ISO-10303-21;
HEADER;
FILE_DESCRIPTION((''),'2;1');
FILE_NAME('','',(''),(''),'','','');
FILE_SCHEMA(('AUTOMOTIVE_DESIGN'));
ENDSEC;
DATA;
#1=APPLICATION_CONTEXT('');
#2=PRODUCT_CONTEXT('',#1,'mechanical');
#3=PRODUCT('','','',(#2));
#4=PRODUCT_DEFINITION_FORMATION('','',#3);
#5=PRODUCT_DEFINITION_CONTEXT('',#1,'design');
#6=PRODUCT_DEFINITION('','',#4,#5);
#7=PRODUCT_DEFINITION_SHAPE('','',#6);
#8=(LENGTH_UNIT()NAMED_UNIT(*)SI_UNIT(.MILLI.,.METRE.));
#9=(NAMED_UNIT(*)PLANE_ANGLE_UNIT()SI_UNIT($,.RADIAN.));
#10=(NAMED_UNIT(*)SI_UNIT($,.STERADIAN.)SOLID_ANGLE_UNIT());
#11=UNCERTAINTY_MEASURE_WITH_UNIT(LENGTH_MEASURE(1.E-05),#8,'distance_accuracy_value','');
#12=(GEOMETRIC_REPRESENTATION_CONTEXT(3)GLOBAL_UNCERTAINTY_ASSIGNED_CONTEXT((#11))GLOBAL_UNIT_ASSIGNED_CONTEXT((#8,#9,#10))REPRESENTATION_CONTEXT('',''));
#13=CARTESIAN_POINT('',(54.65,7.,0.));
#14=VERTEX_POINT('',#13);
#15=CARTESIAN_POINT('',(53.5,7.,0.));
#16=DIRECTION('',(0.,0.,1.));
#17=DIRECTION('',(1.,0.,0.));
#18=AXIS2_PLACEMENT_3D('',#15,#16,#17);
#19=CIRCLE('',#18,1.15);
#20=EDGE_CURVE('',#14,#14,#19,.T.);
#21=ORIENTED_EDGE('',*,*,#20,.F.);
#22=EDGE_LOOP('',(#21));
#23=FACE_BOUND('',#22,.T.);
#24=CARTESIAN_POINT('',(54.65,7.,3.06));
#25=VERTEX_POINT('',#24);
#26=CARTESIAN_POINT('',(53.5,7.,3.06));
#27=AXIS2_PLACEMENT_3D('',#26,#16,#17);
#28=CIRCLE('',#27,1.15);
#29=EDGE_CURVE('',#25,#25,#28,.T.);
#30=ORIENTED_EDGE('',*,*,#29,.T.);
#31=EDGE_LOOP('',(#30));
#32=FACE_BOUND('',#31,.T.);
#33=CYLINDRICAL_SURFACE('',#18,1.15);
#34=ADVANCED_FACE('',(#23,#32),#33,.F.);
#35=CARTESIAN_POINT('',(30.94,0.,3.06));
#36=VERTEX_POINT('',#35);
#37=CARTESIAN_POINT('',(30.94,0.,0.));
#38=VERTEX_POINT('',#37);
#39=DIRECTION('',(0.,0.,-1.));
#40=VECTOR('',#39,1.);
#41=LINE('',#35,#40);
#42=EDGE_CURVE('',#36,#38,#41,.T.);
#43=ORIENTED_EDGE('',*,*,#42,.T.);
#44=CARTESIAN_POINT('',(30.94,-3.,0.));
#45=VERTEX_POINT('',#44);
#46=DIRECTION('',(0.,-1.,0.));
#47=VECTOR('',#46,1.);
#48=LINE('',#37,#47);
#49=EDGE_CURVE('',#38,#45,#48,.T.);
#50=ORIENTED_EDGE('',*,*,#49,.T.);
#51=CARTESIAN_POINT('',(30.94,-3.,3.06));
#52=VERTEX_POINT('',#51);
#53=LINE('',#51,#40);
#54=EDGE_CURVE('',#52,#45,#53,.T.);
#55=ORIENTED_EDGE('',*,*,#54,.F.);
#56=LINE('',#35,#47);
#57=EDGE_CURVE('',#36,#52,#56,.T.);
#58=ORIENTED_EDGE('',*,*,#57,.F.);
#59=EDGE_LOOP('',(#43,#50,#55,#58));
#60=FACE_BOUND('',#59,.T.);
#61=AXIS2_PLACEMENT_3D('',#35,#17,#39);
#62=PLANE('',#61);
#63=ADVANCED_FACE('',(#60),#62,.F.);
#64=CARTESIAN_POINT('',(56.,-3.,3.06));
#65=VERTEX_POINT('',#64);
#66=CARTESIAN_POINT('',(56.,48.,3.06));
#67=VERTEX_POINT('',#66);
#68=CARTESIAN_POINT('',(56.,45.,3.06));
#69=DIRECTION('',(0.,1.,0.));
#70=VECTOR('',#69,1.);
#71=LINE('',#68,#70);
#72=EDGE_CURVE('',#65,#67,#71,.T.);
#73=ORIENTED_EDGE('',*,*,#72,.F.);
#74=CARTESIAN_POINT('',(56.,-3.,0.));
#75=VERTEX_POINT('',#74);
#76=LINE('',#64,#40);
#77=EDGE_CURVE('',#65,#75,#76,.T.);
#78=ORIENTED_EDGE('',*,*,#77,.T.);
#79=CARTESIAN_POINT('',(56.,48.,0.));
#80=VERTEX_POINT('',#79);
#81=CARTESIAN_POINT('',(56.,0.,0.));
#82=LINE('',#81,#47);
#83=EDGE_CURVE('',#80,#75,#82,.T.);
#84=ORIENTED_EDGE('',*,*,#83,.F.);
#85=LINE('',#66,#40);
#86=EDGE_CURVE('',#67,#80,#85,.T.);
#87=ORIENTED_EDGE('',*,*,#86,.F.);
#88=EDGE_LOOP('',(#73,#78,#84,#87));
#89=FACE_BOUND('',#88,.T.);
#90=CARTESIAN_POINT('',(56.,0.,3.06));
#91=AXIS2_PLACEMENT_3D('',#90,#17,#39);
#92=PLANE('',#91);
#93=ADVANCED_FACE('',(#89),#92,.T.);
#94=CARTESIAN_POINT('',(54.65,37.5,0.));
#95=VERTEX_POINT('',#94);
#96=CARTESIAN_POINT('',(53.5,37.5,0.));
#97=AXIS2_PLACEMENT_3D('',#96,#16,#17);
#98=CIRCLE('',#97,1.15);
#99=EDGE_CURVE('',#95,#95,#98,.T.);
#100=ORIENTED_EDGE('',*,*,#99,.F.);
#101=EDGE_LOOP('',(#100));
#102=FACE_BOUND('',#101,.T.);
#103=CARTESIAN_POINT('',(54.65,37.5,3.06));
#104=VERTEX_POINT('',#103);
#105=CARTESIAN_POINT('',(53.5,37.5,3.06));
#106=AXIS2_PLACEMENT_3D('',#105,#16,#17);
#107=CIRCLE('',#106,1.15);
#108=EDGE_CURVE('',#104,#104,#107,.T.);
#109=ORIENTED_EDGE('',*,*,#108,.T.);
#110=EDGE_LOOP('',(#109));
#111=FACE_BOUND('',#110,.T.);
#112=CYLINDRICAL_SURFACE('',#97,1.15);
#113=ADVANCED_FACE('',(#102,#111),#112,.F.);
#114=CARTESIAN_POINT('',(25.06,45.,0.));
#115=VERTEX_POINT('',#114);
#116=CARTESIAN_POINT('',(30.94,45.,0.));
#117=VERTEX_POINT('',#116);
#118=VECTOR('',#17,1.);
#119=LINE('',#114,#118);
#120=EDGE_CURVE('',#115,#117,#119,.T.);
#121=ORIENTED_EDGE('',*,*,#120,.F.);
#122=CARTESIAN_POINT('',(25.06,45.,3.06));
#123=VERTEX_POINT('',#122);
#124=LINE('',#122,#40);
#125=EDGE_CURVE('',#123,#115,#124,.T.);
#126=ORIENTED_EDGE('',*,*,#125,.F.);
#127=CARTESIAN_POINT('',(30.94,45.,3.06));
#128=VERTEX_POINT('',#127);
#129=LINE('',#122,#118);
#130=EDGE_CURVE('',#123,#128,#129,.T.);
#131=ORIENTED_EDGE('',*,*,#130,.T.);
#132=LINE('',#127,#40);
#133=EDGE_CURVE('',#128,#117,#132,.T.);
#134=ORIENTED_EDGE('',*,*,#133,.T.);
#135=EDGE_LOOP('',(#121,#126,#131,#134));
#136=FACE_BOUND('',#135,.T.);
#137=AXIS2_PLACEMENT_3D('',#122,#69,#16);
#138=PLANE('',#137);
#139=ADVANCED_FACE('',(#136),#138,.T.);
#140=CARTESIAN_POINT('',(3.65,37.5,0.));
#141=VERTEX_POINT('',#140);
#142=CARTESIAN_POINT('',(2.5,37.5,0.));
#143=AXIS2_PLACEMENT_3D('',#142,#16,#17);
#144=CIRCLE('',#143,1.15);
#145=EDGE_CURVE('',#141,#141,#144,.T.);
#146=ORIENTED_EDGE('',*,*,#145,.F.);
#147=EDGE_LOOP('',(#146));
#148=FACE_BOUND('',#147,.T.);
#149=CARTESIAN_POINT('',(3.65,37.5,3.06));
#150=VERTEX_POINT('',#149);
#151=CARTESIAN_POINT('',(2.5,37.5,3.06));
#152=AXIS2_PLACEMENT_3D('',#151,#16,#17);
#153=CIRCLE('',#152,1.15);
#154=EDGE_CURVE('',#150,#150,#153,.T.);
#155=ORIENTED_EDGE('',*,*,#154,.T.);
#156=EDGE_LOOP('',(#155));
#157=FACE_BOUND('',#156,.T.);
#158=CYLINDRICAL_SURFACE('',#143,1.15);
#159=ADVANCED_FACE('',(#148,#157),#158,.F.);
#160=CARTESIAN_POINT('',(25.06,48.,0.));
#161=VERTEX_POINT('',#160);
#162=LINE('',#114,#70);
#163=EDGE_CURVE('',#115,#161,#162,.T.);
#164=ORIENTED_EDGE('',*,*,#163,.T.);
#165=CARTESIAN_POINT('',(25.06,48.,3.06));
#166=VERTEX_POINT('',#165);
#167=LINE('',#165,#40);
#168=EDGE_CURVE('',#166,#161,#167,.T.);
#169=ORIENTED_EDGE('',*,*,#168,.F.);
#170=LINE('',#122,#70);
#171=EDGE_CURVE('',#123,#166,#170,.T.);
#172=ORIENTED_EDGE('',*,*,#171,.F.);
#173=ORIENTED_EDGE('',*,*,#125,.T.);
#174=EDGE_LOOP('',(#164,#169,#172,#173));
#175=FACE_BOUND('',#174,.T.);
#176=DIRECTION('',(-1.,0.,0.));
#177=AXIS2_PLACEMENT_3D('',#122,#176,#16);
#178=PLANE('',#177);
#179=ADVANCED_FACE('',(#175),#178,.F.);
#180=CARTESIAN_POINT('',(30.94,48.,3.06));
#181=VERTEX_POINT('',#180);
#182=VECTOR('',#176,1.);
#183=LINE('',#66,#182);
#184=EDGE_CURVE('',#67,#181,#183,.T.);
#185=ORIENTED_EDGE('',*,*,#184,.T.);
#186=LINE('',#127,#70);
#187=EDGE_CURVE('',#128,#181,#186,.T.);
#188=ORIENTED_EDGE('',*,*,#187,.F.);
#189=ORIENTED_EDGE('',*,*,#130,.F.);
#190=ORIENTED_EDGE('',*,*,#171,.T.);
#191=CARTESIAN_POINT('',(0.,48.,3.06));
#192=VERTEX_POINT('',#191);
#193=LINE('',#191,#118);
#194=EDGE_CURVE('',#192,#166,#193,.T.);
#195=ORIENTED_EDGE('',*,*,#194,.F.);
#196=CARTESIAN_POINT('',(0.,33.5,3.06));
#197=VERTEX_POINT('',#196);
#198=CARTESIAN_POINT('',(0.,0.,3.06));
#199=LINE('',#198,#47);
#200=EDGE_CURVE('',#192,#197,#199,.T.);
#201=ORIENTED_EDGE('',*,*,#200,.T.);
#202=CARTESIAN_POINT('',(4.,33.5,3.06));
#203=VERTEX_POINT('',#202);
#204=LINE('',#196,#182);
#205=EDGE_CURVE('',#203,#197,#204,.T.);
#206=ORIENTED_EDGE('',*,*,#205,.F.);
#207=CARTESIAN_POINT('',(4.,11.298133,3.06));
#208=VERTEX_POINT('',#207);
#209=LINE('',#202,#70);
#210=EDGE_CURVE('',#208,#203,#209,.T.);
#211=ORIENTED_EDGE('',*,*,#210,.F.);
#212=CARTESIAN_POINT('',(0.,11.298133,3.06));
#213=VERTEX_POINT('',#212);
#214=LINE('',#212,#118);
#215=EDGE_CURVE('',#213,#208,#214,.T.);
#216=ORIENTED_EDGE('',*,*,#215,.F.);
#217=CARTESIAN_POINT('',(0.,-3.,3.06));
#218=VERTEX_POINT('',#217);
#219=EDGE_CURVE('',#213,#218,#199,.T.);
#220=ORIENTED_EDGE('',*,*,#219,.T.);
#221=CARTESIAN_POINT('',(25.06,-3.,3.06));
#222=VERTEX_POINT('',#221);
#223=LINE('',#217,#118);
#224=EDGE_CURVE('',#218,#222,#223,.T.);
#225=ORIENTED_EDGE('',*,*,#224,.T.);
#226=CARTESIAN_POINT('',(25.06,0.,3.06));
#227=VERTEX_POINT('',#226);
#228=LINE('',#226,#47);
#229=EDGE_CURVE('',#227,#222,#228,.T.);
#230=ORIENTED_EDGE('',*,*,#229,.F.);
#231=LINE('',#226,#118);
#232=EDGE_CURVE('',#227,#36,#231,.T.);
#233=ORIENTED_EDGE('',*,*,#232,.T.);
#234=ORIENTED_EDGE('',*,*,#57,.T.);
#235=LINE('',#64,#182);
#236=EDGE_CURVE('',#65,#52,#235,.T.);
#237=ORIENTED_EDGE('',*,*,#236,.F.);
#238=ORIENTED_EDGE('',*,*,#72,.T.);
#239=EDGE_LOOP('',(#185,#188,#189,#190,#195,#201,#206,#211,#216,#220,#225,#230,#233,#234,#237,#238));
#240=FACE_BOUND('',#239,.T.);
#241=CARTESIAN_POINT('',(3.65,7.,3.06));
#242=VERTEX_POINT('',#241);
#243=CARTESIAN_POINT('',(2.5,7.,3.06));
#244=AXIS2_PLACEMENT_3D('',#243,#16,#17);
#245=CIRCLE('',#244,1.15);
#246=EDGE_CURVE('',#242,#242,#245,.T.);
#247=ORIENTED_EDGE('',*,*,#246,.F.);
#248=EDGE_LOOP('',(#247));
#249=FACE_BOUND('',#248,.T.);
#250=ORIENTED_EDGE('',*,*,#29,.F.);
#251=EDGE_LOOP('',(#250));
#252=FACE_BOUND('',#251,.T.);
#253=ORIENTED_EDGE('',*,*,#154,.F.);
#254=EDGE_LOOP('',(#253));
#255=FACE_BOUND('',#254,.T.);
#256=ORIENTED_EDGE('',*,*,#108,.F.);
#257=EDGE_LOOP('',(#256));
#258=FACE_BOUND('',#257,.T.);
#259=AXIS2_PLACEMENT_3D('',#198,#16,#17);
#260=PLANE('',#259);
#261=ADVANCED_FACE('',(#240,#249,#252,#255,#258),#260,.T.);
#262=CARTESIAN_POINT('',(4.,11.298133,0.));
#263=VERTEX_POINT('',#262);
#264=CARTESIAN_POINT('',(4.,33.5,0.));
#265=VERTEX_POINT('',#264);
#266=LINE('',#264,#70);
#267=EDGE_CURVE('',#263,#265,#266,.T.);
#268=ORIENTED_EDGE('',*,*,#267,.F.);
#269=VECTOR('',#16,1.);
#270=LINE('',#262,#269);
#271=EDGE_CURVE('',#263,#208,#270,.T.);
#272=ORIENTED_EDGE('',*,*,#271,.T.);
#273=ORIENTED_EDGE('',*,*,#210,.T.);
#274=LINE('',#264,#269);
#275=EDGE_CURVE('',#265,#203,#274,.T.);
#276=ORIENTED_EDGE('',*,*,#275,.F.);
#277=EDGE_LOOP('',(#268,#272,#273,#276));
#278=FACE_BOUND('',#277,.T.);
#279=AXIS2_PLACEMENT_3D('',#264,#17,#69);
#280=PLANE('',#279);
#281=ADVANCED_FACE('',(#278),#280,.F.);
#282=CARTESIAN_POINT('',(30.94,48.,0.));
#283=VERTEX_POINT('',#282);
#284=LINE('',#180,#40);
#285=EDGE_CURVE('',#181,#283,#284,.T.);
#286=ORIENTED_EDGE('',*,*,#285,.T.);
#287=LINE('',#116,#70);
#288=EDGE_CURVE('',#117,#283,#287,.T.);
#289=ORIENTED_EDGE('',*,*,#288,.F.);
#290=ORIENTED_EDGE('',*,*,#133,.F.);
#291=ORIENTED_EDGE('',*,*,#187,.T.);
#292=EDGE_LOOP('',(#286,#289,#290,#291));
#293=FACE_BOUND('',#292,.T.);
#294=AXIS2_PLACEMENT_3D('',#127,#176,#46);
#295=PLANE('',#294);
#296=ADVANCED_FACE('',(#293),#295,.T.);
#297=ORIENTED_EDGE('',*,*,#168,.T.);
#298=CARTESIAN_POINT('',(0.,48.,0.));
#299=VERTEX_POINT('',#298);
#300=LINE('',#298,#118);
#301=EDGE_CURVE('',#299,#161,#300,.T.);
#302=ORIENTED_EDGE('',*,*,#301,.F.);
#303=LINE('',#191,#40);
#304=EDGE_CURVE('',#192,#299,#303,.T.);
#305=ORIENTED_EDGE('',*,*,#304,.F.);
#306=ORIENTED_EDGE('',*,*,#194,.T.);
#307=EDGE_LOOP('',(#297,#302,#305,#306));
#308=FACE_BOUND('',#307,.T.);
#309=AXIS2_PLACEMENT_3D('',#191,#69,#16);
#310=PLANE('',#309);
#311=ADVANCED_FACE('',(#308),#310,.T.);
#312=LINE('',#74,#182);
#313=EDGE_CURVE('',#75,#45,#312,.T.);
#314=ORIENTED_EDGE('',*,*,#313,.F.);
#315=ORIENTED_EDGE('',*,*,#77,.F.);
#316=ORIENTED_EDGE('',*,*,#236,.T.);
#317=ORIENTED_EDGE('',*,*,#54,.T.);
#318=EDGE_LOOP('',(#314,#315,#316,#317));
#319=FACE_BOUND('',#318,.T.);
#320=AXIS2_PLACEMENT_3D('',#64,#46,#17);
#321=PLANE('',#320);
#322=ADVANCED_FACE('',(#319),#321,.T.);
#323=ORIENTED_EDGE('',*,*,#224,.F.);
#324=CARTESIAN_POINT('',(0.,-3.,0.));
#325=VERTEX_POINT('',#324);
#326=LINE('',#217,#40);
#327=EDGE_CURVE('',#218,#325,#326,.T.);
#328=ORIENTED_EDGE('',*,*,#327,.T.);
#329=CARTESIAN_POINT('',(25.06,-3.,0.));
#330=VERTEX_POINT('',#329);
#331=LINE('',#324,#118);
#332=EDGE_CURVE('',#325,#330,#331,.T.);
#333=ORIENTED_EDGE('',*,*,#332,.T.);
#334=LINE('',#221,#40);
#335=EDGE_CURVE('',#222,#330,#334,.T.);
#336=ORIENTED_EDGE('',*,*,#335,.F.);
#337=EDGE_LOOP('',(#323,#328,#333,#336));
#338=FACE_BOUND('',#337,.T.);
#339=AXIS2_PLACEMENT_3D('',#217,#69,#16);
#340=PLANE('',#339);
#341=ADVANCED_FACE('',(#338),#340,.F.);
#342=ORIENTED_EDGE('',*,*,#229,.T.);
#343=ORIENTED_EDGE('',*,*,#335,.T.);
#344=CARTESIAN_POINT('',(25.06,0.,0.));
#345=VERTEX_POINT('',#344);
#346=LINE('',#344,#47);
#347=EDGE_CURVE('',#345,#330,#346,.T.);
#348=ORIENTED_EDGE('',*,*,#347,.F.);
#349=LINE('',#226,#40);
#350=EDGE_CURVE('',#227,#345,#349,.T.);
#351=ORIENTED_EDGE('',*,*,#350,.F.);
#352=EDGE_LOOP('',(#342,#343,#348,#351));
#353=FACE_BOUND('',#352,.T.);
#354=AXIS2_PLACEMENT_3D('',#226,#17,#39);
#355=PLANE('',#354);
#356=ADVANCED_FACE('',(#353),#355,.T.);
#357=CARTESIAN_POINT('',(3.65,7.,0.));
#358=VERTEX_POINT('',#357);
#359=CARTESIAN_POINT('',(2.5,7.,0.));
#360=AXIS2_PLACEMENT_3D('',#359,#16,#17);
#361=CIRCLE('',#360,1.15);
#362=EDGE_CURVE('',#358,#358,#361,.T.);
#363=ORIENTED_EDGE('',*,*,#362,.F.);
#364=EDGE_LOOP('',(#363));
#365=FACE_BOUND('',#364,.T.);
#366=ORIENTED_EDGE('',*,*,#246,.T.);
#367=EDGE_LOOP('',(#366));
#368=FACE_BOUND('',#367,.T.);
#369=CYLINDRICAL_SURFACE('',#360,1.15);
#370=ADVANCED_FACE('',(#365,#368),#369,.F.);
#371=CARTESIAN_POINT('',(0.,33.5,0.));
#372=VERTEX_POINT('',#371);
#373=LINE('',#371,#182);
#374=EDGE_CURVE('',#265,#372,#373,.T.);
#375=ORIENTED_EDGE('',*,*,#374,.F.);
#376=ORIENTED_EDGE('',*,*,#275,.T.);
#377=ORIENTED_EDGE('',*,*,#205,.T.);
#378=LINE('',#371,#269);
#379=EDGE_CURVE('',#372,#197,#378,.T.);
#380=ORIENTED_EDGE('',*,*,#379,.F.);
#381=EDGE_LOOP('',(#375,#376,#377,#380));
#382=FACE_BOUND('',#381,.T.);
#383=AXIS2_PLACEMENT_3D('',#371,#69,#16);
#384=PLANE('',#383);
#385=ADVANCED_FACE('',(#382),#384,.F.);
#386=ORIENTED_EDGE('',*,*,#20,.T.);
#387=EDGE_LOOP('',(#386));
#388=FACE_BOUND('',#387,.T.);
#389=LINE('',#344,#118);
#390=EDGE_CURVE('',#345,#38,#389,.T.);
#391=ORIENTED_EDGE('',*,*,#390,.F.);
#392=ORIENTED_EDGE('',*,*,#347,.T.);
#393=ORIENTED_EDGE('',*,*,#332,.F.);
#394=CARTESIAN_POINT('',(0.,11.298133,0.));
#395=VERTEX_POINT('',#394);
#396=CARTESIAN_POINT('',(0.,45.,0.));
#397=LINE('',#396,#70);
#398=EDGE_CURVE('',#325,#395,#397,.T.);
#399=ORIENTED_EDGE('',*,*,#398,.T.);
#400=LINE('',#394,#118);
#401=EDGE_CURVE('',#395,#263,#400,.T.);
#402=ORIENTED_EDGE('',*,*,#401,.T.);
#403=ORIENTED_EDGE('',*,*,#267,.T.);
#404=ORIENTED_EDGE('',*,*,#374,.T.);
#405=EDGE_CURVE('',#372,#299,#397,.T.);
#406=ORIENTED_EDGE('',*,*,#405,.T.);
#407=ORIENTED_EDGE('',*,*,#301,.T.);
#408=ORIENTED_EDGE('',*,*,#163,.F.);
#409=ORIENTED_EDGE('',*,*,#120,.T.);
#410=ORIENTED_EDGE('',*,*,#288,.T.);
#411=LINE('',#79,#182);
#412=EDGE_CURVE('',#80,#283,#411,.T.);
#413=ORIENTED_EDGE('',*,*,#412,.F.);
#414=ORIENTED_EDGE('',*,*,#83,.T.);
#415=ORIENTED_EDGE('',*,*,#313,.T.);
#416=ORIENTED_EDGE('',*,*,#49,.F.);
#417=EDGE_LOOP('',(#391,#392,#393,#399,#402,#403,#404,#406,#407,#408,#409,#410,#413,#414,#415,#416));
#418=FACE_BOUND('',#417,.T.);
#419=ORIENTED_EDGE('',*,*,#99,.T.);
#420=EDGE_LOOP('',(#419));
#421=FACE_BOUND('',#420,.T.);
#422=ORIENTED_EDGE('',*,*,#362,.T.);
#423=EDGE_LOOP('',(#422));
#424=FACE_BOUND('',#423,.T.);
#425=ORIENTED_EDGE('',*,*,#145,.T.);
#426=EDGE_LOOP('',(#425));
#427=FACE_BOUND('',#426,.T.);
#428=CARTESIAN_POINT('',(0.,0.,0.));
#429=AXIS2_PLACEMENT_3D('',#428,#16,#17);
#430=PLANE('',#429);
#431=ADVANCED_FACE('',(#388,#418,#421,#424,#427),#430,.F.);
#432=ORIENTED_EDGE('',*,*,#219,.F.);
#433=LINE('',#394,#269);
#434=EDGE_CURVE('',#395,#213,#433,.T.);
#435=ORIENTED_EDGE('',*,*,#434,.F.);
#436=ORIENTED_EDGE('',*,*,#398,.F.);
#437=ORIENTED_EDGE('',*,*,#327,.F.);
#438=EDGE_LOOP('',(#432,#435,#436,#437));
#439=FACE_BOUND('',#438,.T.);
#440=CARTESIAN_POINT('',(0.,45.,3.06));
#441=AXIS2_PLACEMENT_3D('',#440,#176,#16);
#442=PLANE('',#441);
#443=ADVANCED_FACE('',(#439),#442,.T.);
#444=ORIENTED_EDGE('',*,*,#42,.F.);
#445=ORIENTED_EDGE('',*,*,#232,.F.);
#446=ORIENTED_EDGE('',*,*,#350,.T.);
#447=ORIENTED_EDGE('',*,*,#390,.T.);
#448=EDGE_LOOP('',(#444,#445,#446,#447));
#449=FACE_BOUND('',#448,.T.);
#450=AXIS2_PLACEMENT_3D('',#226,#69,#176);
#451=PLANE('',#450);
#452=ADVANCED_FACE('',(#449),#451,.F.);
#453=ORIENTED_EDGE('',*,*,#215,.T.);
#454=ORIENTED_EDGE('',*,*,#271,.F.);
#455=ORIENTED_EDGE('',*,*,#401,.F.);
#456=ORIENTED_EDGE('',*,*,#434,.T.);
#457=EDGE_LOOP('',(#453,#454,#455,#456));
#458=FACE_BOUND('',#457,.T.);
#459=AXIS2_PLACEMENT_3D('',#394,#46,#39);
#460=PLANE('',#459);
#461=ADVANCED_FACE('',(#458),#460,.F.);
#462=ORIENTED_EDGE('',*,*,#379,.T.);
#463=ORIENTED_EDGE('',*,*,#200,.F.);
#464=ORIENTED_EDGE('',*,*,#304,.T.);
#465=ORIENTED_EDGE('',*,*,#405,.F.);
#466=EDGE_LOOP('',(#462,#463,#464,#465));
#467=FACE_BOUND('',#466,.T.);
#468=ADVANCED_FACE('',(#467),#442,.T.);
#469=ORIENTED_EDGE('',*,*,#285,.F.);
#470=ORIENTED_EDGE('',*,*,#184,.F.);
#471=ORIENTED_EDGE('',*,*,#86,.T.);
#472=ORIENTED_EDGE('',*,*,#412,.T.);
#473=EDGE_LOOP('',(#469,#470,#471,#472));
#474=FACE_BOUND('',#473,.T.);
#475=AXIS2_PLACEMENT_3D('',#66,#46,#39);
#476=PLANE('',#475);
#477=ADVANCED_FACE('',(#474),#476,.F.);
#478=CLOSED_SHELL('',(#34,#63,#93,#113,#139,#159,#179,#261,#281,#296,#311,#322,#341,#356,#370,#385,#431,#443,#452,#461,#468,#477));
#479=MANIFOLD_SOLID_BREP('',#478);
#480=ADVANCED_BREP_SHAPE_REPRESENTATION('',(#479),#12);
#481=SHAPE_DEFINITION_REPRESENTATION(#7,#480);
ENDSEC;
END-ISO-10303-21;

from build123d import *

# Parameters (mm, degrees)
BOSS_EXTRUDE1_DEPTH = 3.06
SKETCH2_R           = 1.15
SKETCH2_W           = 4
SKETCH2_H           = 22.201866978
CUT_EXTRUDE1_DEPTH  = 74.819804931


with BuildPart() as part:
    # Sketch1 → Boss-Extrude1 (new body)
    with BuildSketch(Plane.XY):
        Polygon((25.06, 0), (30.94, 0), (30.94, -3), (56, -3), (56, 0), (56, 45), (56, 48), (30.94, 48), (30.94, 45), (25.06, 45), (25.06, 48), (0, 48), (0, 45), (0, 0), (0, -3), (25.06, -3), align=None)
    extrude(amount=BOSS_EXTRUDE1_DEPTH)

    # Sketch2 → Cut-Extrude1 (cut, through all)
    with BuildSketch(Plane.XY.offset(3.06)):
        with Locations((2.5, 37.5)):
            Circle(SKETCH2_R)
        with Locations((53.5, 37.5)):
            Circle(SKETCH2_R)
        with Locations((53.5, 7)):
            Circle(SKETCH2_R)
        with Locations((2.5, 7)):
            Circle(SKETCH2_R)
        with Locations((2, 22.399066511)):
            Rectangle(SKETCH2_W, SKETCH2_H)
    extrude(amount=-CUT_EXTRUDE1_DEPTH, mode=Mode.SUBTRACT)


solid = part.part
